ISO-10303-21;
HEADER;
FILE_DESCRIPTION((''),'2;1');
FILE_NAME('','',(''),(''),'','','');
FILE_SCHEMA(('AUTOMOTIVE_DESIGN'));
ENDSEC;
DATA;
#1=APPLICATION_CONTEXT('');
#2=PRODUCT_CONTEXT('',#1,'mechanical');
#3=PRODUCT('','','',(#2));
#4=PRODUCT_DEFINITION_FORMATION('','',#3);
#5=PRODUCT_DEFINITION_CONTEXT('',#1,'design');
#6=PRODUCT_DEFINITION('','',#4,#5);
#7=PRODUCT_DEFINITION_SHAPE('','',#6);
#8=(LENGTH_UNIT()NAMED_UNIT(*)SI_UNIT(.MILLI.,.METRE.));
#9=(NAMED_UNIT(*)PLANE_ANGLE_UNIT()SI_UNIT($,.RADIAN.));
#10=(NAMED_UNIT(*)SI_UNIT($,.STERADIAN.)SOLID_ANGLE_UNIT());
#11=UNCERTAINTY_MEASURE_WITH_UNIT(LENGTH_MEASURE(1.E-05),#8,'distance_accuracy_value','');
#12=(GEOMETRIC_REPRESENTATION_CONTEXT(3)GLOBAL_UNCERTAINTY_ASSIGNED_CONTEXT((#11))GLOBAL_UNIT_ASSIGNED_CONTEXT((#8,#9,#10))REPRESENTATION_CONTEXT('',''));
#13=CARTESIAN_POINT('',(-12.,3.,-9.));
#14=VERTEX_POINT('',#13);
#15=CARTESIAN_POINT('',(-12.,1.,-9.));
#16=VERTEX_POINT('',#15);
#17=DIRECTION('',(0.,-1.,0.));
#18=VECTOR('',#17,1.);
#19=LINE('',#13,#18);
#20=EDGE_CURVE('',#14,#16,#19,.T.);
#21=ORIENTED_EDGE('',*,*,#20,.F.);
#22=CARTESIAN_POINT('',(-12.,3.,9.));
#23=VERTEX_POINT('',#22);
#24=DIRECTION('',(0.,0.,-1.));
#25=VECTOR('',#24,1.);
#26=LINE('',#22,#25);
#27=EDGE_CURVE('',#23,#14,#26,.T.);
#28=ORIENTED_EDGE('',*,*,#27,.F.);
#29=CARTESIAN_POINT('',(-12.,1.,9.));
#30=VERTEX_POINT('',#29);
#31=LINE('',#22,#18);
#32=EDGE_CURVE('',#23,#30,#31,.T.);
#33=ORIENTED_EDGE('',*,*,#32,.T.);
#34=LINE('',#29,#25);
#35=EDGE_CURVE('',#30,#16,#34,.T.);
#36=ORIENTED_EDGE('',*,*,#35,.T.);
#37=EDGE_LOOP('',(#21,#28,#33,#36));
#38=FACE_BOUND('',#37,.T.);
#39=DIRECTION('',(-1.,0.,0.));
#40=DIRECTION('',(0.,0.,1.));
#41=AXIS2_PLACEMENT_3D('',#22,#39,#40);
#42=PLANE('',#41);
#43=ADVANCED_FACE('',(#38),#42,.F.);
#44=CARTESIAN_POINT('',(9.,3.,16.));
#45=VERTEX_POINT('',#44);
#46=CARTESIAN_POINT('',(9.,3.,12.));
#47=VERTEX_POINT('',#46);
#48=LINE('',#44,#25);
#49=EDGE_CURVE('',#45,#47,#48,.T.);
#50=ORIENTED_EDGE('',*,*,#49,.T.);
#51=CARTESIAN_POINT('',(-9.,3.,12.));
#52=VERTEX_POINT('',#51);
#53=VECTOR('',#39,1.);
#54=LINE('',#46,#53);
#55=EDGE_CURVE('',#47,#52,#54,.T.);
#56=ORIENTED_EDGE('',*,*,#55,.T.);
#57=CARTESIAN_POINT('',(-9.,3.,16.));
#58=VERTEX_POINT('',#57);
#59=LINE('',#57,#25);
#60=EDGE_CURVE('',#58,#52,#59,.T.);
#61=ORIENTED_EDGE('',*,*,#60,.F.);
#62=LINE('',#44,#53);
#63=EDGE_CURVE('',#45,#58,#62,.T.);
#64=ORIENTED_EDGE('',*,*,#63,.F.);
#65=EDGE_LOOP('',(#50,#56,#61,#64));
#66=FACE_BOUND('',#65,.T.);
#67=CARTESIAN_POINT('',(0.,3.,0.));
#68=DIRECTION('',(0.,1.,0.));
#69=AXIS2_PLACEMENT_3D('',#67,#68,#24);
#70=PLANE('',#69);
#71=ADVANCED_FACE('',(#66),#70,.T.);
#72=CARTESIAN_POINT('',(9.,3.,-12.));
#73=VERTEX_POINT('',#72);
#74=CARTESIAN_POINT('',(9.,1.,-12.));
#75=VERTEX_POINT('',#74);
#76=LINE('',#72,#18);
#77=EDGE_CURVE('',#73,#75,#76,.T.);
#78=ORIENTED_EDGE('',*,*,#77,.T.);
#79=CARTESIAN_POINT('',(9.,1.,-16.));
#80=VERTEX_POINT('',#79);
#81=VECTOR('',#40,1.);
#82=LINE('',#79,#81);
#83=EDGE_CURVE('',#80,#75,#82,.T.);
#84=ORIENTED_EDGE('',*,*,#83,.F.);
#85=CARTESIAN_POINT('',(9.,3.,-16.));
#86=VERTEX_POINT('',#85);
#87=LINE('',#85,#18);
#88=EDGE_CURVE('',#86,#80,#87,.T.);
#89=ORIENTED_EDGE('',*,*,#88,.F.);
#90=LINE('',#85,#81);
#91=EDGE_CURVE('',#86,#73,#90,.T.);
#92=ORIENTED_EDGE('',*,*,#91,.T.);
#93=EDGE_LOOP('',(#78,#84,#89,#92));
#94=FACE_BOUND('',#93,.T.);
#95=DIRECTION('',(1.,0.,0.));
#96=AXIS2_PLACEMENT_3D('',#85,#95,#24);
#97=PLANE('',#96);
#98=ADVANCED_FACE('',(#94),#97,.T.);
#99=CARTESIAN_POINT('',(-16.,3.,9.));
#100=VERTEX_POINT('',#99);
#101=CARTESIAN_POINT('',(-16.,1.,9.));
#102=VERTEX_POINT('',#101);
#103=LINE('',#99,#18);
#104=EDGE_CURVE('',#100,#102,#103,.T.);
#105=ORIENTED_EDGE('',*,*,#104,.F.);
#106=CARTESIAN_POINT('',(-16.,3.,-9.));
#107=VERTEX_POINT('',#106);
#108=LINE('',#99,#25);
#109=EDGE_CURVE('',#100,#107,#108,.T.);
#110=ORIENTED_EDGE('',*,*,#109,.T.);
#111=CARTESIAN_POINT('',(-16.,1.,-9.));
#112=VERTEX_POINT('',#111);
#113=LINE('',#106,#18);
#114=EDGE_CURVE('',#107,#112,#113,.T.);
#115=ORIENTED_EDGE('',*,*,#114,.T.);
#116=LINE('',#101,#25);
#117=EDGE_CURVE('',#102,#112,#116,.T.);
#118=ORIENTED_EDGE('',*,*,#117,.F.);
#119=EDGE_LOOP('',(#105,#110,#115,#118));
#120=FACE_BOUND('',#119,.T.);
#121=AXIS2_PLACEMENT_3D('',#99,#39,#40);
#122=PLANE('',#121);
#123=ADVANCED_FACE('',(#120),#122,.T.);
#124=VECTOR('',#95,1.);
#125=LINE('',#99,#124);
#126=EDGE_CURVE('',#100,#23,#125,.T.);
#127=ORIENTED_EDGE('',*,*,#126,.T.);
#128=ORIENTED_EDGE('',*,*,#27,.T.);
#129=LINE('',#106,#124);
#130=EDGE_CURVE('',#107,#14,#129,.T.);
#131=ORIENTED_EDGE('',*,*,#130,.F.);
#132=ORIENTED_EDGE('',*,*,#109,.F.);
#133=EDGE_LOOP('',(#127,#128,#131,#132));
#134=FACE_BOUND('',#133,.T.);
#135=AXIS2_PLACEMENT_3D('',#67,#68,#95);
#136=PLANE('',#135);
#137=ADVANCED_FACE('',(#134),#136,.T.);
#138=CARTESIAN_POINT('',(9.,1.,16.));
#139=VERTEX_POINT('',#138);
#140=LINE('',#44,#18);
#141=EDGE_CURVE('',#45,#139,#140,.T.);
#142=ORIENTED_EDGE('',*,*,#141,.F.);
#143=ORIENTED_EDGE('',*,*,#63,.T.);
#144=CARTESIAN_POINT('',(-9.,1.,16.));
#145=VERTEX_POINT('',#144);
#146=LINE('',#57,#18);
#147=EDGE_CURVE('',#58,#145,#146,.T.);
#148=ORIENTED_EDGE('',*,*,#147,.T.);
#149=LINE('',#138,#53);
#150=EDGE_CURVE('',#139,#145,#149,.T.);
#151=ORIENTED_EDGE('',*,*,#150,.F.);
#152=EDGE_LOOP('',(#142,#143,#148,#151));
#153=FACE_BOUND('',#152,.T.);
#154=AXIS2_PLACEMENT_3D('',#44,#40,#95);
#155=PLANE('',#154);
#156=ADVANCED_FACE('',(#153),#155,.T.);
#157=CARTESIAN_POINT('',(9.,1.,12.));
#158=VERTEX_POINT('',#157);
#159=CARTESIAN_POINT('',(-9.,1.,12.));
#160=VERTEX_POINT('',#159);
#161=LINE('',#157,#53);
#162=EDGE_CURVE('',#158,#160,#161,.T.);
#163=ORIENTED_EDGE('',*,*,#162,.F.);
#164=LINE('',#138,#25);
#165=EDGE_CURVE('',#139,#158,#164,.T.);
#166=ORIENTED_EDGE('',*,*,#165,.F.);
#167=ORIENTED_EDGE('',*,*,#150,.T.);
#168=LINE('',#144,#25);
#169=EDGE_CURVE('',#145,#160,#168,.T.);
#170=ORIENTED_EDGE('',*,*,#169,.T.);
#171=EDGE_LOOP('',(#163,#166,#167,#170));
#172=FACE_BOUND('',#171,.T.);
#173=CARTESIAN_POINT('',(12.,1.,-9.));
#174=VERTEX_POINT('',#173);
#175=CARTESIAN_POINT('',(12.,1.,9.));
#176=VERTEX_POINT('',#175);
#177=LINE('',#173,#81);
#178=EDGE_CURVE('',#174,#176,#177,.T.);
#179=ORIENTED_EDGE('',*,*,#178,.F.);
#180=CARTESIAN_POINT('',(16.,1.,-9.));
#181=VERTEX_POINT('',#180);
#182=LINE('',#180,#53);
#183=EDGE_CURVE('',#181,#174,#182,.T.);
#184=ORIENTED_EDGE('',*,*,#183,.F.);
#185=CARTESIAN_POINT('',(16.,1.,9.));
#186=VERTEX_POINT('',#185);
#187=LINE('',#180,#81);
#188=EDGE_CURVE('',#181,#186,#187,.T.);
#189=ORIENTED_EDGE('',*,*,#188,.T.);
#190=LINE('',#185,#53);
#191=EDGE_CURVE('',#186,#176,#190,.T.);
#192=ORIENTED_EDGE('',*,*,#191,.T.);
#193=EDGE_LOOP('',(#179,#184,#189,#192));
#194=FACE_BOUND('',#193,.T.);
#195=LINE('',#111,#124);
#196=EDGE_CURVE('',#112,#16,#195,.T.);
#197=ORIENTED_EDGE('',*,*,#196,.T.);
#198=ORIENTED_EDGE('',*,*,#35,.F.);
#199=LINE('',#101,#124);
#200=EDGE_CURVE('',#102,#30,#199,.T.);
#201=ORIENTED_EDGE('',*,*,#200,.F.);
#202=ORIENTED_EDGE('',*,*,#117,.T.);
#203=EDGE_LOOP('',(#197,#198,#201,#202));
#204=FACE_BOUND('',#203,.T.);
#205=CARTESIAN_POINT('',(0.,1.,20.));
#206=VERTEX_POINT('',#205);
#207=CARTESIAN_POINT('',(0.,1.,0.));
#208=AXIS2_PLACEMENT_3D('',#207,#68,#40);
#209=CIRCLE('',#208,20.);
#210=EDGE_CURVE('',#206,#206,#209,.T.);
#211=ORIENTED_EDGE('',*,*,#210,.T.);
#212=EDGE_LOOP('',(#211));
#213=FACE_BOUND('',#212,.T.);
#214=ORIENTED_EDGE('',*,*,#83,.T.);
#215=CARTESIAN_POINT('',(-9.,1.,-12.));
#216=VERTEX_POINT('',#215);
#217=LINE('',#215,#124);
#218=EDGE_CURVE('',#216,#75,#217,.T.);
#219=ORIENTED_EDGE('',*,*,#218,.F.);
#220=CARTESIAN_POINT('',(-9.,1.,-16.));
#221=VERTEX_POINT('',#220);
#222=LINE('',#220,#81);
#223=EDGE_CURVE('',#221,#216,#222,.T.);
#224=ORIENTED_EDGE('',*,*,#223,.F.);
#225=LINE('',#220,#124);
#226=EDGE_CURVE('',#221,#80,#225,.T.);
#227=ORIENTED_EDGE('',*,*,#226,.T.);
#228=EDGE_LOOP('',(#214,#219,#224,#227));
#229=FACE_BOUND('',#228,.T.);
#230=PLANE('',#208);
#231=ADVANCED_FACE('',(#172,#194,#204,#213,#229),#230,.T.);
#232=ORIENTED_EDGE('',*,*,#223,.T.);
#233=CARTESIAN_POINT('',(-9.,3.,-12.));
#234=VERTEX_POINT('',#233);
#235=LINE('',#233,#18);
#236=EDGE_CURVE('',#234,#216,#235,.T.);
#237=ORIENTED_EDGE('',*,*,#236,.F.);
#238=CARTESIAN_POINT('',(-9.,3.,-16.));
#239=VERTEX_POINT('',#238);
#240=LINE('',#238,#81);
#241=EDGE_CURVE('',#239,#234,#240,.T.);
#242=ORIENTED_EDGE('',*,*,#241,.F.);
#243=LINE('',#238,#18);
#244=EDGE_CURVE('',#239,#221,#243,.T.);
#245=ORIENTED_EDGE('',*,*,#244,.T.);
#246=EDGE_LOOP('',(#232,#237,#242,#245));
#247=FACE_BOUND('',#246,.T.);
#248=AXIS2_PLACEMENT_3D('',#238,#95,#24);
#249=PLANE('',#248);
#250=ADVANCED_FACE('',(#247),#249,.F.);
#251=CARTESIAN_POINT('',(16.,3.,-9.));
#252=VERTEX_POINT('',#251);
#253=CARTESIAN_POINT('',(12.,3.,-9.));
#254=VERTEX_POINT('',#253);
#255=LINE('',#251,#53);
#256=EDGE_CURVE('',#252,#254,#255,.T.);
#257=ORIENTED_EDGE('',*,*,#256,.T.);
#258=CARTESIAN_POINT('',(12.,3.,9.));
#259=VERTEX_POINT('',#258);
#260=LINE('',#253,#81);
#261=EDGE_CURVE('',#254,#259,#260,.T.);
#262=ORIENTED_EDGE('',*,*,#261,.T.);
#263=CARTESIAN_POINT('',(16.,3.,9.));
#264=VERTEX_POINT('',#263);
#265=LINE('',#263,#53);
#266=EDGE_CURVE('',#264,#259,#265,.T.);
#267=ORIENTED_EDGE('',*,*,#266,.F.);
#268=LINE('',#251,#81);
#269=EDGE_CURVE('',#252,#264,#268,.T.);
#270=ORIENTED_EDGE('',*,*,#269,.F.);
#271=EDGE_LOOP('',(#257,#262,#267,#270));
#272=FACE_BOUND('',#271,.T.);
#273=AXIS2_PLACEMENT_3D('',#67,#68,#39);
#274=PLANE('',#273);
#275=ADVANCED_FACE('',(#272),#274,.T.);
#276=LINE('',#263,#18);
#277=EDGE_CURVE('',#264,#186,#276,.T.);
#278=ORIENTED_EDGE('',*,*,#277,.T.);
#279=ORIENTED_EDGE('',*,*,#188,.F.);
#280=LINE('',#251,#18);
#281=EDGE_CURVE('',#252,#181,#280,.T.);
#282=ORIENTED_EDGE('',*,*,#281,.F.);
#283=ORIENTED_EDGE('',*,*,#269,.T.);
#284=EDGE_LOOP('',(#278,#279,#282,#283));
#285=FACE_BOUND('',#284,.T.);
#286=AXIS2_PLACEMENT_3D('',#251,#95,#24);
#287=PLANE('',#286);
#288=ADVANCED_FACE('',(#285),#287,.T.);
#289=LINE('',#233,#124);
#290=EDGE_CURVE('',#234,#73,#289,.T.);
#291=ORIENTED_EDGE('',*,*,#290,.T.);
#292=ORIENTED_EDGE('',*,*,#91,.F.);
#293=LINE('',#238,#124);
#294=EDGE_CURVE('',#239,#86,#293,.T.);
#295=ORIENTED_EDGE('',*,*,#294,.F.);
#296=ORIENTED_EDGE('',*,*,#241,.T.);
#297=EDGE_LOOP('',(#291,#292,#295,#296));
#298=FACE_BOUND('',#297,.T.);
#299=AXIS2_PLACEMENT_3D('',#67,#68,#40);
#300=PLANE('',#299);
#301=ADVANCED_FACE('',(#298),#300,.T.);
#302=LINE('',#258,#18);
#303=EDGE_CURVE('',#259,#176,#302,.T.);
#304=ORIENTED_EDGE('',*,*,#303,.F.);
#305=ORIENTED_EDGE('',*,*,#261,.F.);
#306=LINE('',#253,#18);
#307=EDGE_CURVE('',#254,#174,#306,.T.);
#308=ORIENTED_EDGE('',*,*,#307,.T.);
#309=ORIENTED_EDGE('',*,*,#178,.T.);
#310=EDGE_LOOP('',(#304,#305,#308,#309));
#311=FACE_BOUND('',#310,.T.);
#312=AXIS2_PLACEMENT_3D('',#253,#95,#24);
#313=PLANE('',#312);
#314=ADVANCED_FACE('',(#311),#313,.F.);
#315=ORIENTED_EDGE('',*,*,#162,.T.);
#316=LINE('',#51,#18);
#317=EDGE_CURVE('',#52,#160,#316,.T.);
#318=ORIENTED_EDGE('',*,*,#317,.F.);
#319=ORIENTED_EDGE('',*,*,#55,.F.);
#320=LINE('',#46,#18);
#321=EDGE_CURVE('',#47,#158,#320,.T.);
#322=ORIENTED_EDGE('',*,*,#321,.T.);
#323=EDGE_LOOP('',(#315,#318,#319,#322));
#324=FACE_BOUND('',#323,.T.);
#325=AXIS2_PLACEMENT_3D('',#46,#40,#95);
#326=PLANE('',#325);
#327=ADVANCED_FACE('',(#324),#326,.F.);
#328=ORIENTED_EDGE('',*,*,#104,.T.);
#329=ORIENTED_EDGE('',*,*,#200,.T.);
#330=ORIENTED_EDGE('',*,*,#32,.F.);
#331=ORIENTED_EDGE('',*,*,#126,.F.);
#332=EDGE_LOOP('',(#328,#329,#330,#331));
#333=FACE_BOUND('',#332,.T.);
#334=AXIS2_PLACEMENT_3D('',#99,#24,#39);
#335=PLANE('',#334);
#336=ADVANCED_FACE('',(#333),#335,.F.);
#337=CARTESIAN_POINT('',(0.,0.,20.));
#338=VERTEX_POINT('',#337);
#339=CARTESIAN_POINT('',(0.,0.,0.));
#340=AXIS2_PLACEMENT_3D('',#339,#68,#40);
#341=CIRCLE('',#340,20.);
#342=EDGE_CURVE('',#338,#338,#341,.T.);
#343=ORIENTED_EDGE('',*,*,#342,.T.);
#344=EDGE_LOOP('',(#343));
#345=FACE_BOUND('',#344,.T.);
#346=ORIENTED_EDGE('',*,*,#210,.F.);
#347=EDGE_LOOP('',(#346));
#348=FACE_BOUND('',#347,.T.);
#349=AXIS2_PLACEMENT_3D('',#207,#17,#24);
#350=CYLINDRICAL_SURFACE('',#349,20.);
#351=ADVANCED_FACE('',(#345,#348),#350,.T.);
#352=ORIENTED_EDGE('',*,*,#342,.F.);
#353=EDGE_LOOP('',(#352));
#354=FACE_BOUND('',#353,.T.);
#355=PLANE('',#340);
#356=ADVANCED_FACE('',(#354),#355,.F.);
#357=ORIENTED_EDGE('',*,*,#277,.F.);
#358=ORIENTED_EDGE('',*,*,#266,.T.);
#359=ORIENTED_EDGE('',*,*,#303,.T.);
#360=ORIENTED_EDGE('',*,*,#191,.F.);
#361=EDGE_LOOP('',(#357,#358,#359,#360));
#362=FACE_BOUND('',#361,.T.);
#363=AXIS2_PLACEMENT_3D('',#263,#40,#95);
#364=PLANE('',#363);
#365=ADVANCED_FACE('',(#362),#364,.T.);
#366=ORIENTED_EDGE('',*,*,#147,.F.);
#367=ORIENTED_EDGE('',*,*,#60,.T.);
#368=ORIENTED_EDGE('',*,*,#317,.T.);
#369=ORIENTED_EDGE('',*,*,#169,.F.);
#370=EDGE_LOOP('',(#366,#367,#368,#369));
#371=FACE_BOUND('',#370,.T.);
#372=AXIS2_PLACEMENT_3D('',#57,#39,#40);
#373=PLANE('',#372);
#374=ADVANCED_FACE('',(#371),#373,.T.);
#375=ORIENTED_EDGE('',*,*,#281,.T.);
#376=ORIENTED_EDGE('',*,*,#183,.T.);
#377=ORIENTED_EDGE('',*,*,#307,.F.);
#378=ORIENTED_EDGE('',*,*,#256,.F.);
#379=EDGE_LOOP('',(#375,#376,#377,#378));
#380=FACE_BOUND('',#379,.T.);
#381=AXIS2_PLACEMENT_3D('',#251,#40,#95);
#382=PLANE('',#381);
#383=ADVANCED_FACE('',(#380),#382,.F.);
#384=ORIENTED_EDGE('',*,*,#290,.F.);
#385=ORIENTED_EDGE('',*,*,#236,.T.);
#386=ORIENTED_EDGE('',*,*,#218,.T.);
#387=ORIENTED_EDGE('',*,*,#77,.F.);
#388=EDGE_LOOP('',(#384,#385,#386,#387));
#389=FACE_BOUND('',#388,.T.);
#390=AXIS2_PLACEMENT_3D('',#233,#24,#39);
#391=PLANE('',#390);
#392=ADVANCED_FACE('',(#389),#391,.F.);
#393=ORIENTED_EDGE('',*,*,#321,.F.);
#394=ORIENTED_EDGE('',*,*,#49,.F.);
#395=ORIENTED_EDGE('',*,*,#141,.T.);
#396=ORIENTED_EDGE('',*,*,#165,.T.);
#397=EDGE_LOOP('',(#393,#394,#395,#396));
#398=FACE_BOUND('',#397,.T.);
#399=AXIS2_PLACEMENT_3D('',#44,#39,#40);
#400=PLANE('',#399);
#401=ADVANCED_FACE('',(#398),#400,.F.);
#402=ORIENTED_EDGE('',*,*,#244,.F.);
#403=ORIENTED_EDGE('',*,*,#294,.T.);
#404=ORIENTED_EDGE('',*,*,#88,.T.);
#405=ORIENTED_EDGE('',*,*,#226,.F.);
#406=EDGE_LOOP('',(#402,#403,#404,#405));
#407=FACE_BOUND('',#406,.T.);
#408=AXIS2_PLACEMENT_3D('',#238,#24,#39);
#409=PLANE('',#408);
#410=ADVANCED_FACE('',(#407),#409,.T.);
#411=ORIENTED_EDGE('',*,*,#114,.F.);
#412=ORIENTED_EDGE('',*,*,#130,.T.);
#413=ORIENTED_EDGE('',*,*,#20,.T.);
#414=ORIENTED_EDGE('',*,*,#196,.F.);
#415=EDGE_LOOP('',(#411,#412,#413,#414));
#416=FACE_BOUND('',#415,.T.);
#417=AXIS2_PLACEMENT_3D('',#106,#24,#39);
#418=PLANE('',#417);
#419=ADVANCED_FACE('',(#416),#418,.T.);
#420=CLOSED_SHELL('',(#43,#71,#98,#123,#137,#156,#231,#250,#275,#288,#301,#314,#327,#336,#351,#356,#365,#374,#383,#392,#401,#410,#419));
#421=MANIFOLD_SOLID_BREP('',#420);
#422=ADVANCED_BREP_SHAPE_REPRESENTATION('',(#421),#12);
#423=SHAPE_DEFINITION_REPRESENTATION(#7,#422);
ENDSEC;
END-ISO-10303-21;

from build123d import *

# Parameters (mm, degrees)
SKETCH1_R                    = 20
PCB_DEPTH                    = 1
SKETCH2_W                    = 18
SKETCH2_H                    = 4
HIROSE_CONNECTOR_STACK_DEPTH = 2
CIRPATTERN1_COUNT            = 4


with BuildPart() as part:
    # Sketch1 → PCB (new body)
    with BuildSketch(Plane(origin=(0, 0, 0), x_dir=(1, 0, 0), z_dir=(0, 1, 0))):
        with Locations(Location((0, 0, 0), (0, 0, 270))):
            Circle(SKETCH1_R)
    extrude(amount=PCB_DEPTH)

    # Sketch2 → Hirose Connector Stack (add)
    with BuildSketch(Plane(origin=(0, 1, 0), x_dir=(1, 0, 0), z_dir=(0, 1, 0))):
        with Locations((0, 14)):
            Rectangle(SKETCH2_W, SKETCH2_H)
    hirose_connector_stack = extrude(amount=HIROSE_CONNECTOR_STACK_DEPTH)

    # CirPattern1: Hirose Connector Stack ×4 about axis
    cirpattern1_axis = Axis((0, 0, 0), (0, 1, 0))
    for i in range(1, CIRPATTERN1_COUNT):
        add(hirose_connector_stack.rotate(cirpattern1_axis, i * 360 / CIRPATTERN1_COUNT))


solid = part.part
